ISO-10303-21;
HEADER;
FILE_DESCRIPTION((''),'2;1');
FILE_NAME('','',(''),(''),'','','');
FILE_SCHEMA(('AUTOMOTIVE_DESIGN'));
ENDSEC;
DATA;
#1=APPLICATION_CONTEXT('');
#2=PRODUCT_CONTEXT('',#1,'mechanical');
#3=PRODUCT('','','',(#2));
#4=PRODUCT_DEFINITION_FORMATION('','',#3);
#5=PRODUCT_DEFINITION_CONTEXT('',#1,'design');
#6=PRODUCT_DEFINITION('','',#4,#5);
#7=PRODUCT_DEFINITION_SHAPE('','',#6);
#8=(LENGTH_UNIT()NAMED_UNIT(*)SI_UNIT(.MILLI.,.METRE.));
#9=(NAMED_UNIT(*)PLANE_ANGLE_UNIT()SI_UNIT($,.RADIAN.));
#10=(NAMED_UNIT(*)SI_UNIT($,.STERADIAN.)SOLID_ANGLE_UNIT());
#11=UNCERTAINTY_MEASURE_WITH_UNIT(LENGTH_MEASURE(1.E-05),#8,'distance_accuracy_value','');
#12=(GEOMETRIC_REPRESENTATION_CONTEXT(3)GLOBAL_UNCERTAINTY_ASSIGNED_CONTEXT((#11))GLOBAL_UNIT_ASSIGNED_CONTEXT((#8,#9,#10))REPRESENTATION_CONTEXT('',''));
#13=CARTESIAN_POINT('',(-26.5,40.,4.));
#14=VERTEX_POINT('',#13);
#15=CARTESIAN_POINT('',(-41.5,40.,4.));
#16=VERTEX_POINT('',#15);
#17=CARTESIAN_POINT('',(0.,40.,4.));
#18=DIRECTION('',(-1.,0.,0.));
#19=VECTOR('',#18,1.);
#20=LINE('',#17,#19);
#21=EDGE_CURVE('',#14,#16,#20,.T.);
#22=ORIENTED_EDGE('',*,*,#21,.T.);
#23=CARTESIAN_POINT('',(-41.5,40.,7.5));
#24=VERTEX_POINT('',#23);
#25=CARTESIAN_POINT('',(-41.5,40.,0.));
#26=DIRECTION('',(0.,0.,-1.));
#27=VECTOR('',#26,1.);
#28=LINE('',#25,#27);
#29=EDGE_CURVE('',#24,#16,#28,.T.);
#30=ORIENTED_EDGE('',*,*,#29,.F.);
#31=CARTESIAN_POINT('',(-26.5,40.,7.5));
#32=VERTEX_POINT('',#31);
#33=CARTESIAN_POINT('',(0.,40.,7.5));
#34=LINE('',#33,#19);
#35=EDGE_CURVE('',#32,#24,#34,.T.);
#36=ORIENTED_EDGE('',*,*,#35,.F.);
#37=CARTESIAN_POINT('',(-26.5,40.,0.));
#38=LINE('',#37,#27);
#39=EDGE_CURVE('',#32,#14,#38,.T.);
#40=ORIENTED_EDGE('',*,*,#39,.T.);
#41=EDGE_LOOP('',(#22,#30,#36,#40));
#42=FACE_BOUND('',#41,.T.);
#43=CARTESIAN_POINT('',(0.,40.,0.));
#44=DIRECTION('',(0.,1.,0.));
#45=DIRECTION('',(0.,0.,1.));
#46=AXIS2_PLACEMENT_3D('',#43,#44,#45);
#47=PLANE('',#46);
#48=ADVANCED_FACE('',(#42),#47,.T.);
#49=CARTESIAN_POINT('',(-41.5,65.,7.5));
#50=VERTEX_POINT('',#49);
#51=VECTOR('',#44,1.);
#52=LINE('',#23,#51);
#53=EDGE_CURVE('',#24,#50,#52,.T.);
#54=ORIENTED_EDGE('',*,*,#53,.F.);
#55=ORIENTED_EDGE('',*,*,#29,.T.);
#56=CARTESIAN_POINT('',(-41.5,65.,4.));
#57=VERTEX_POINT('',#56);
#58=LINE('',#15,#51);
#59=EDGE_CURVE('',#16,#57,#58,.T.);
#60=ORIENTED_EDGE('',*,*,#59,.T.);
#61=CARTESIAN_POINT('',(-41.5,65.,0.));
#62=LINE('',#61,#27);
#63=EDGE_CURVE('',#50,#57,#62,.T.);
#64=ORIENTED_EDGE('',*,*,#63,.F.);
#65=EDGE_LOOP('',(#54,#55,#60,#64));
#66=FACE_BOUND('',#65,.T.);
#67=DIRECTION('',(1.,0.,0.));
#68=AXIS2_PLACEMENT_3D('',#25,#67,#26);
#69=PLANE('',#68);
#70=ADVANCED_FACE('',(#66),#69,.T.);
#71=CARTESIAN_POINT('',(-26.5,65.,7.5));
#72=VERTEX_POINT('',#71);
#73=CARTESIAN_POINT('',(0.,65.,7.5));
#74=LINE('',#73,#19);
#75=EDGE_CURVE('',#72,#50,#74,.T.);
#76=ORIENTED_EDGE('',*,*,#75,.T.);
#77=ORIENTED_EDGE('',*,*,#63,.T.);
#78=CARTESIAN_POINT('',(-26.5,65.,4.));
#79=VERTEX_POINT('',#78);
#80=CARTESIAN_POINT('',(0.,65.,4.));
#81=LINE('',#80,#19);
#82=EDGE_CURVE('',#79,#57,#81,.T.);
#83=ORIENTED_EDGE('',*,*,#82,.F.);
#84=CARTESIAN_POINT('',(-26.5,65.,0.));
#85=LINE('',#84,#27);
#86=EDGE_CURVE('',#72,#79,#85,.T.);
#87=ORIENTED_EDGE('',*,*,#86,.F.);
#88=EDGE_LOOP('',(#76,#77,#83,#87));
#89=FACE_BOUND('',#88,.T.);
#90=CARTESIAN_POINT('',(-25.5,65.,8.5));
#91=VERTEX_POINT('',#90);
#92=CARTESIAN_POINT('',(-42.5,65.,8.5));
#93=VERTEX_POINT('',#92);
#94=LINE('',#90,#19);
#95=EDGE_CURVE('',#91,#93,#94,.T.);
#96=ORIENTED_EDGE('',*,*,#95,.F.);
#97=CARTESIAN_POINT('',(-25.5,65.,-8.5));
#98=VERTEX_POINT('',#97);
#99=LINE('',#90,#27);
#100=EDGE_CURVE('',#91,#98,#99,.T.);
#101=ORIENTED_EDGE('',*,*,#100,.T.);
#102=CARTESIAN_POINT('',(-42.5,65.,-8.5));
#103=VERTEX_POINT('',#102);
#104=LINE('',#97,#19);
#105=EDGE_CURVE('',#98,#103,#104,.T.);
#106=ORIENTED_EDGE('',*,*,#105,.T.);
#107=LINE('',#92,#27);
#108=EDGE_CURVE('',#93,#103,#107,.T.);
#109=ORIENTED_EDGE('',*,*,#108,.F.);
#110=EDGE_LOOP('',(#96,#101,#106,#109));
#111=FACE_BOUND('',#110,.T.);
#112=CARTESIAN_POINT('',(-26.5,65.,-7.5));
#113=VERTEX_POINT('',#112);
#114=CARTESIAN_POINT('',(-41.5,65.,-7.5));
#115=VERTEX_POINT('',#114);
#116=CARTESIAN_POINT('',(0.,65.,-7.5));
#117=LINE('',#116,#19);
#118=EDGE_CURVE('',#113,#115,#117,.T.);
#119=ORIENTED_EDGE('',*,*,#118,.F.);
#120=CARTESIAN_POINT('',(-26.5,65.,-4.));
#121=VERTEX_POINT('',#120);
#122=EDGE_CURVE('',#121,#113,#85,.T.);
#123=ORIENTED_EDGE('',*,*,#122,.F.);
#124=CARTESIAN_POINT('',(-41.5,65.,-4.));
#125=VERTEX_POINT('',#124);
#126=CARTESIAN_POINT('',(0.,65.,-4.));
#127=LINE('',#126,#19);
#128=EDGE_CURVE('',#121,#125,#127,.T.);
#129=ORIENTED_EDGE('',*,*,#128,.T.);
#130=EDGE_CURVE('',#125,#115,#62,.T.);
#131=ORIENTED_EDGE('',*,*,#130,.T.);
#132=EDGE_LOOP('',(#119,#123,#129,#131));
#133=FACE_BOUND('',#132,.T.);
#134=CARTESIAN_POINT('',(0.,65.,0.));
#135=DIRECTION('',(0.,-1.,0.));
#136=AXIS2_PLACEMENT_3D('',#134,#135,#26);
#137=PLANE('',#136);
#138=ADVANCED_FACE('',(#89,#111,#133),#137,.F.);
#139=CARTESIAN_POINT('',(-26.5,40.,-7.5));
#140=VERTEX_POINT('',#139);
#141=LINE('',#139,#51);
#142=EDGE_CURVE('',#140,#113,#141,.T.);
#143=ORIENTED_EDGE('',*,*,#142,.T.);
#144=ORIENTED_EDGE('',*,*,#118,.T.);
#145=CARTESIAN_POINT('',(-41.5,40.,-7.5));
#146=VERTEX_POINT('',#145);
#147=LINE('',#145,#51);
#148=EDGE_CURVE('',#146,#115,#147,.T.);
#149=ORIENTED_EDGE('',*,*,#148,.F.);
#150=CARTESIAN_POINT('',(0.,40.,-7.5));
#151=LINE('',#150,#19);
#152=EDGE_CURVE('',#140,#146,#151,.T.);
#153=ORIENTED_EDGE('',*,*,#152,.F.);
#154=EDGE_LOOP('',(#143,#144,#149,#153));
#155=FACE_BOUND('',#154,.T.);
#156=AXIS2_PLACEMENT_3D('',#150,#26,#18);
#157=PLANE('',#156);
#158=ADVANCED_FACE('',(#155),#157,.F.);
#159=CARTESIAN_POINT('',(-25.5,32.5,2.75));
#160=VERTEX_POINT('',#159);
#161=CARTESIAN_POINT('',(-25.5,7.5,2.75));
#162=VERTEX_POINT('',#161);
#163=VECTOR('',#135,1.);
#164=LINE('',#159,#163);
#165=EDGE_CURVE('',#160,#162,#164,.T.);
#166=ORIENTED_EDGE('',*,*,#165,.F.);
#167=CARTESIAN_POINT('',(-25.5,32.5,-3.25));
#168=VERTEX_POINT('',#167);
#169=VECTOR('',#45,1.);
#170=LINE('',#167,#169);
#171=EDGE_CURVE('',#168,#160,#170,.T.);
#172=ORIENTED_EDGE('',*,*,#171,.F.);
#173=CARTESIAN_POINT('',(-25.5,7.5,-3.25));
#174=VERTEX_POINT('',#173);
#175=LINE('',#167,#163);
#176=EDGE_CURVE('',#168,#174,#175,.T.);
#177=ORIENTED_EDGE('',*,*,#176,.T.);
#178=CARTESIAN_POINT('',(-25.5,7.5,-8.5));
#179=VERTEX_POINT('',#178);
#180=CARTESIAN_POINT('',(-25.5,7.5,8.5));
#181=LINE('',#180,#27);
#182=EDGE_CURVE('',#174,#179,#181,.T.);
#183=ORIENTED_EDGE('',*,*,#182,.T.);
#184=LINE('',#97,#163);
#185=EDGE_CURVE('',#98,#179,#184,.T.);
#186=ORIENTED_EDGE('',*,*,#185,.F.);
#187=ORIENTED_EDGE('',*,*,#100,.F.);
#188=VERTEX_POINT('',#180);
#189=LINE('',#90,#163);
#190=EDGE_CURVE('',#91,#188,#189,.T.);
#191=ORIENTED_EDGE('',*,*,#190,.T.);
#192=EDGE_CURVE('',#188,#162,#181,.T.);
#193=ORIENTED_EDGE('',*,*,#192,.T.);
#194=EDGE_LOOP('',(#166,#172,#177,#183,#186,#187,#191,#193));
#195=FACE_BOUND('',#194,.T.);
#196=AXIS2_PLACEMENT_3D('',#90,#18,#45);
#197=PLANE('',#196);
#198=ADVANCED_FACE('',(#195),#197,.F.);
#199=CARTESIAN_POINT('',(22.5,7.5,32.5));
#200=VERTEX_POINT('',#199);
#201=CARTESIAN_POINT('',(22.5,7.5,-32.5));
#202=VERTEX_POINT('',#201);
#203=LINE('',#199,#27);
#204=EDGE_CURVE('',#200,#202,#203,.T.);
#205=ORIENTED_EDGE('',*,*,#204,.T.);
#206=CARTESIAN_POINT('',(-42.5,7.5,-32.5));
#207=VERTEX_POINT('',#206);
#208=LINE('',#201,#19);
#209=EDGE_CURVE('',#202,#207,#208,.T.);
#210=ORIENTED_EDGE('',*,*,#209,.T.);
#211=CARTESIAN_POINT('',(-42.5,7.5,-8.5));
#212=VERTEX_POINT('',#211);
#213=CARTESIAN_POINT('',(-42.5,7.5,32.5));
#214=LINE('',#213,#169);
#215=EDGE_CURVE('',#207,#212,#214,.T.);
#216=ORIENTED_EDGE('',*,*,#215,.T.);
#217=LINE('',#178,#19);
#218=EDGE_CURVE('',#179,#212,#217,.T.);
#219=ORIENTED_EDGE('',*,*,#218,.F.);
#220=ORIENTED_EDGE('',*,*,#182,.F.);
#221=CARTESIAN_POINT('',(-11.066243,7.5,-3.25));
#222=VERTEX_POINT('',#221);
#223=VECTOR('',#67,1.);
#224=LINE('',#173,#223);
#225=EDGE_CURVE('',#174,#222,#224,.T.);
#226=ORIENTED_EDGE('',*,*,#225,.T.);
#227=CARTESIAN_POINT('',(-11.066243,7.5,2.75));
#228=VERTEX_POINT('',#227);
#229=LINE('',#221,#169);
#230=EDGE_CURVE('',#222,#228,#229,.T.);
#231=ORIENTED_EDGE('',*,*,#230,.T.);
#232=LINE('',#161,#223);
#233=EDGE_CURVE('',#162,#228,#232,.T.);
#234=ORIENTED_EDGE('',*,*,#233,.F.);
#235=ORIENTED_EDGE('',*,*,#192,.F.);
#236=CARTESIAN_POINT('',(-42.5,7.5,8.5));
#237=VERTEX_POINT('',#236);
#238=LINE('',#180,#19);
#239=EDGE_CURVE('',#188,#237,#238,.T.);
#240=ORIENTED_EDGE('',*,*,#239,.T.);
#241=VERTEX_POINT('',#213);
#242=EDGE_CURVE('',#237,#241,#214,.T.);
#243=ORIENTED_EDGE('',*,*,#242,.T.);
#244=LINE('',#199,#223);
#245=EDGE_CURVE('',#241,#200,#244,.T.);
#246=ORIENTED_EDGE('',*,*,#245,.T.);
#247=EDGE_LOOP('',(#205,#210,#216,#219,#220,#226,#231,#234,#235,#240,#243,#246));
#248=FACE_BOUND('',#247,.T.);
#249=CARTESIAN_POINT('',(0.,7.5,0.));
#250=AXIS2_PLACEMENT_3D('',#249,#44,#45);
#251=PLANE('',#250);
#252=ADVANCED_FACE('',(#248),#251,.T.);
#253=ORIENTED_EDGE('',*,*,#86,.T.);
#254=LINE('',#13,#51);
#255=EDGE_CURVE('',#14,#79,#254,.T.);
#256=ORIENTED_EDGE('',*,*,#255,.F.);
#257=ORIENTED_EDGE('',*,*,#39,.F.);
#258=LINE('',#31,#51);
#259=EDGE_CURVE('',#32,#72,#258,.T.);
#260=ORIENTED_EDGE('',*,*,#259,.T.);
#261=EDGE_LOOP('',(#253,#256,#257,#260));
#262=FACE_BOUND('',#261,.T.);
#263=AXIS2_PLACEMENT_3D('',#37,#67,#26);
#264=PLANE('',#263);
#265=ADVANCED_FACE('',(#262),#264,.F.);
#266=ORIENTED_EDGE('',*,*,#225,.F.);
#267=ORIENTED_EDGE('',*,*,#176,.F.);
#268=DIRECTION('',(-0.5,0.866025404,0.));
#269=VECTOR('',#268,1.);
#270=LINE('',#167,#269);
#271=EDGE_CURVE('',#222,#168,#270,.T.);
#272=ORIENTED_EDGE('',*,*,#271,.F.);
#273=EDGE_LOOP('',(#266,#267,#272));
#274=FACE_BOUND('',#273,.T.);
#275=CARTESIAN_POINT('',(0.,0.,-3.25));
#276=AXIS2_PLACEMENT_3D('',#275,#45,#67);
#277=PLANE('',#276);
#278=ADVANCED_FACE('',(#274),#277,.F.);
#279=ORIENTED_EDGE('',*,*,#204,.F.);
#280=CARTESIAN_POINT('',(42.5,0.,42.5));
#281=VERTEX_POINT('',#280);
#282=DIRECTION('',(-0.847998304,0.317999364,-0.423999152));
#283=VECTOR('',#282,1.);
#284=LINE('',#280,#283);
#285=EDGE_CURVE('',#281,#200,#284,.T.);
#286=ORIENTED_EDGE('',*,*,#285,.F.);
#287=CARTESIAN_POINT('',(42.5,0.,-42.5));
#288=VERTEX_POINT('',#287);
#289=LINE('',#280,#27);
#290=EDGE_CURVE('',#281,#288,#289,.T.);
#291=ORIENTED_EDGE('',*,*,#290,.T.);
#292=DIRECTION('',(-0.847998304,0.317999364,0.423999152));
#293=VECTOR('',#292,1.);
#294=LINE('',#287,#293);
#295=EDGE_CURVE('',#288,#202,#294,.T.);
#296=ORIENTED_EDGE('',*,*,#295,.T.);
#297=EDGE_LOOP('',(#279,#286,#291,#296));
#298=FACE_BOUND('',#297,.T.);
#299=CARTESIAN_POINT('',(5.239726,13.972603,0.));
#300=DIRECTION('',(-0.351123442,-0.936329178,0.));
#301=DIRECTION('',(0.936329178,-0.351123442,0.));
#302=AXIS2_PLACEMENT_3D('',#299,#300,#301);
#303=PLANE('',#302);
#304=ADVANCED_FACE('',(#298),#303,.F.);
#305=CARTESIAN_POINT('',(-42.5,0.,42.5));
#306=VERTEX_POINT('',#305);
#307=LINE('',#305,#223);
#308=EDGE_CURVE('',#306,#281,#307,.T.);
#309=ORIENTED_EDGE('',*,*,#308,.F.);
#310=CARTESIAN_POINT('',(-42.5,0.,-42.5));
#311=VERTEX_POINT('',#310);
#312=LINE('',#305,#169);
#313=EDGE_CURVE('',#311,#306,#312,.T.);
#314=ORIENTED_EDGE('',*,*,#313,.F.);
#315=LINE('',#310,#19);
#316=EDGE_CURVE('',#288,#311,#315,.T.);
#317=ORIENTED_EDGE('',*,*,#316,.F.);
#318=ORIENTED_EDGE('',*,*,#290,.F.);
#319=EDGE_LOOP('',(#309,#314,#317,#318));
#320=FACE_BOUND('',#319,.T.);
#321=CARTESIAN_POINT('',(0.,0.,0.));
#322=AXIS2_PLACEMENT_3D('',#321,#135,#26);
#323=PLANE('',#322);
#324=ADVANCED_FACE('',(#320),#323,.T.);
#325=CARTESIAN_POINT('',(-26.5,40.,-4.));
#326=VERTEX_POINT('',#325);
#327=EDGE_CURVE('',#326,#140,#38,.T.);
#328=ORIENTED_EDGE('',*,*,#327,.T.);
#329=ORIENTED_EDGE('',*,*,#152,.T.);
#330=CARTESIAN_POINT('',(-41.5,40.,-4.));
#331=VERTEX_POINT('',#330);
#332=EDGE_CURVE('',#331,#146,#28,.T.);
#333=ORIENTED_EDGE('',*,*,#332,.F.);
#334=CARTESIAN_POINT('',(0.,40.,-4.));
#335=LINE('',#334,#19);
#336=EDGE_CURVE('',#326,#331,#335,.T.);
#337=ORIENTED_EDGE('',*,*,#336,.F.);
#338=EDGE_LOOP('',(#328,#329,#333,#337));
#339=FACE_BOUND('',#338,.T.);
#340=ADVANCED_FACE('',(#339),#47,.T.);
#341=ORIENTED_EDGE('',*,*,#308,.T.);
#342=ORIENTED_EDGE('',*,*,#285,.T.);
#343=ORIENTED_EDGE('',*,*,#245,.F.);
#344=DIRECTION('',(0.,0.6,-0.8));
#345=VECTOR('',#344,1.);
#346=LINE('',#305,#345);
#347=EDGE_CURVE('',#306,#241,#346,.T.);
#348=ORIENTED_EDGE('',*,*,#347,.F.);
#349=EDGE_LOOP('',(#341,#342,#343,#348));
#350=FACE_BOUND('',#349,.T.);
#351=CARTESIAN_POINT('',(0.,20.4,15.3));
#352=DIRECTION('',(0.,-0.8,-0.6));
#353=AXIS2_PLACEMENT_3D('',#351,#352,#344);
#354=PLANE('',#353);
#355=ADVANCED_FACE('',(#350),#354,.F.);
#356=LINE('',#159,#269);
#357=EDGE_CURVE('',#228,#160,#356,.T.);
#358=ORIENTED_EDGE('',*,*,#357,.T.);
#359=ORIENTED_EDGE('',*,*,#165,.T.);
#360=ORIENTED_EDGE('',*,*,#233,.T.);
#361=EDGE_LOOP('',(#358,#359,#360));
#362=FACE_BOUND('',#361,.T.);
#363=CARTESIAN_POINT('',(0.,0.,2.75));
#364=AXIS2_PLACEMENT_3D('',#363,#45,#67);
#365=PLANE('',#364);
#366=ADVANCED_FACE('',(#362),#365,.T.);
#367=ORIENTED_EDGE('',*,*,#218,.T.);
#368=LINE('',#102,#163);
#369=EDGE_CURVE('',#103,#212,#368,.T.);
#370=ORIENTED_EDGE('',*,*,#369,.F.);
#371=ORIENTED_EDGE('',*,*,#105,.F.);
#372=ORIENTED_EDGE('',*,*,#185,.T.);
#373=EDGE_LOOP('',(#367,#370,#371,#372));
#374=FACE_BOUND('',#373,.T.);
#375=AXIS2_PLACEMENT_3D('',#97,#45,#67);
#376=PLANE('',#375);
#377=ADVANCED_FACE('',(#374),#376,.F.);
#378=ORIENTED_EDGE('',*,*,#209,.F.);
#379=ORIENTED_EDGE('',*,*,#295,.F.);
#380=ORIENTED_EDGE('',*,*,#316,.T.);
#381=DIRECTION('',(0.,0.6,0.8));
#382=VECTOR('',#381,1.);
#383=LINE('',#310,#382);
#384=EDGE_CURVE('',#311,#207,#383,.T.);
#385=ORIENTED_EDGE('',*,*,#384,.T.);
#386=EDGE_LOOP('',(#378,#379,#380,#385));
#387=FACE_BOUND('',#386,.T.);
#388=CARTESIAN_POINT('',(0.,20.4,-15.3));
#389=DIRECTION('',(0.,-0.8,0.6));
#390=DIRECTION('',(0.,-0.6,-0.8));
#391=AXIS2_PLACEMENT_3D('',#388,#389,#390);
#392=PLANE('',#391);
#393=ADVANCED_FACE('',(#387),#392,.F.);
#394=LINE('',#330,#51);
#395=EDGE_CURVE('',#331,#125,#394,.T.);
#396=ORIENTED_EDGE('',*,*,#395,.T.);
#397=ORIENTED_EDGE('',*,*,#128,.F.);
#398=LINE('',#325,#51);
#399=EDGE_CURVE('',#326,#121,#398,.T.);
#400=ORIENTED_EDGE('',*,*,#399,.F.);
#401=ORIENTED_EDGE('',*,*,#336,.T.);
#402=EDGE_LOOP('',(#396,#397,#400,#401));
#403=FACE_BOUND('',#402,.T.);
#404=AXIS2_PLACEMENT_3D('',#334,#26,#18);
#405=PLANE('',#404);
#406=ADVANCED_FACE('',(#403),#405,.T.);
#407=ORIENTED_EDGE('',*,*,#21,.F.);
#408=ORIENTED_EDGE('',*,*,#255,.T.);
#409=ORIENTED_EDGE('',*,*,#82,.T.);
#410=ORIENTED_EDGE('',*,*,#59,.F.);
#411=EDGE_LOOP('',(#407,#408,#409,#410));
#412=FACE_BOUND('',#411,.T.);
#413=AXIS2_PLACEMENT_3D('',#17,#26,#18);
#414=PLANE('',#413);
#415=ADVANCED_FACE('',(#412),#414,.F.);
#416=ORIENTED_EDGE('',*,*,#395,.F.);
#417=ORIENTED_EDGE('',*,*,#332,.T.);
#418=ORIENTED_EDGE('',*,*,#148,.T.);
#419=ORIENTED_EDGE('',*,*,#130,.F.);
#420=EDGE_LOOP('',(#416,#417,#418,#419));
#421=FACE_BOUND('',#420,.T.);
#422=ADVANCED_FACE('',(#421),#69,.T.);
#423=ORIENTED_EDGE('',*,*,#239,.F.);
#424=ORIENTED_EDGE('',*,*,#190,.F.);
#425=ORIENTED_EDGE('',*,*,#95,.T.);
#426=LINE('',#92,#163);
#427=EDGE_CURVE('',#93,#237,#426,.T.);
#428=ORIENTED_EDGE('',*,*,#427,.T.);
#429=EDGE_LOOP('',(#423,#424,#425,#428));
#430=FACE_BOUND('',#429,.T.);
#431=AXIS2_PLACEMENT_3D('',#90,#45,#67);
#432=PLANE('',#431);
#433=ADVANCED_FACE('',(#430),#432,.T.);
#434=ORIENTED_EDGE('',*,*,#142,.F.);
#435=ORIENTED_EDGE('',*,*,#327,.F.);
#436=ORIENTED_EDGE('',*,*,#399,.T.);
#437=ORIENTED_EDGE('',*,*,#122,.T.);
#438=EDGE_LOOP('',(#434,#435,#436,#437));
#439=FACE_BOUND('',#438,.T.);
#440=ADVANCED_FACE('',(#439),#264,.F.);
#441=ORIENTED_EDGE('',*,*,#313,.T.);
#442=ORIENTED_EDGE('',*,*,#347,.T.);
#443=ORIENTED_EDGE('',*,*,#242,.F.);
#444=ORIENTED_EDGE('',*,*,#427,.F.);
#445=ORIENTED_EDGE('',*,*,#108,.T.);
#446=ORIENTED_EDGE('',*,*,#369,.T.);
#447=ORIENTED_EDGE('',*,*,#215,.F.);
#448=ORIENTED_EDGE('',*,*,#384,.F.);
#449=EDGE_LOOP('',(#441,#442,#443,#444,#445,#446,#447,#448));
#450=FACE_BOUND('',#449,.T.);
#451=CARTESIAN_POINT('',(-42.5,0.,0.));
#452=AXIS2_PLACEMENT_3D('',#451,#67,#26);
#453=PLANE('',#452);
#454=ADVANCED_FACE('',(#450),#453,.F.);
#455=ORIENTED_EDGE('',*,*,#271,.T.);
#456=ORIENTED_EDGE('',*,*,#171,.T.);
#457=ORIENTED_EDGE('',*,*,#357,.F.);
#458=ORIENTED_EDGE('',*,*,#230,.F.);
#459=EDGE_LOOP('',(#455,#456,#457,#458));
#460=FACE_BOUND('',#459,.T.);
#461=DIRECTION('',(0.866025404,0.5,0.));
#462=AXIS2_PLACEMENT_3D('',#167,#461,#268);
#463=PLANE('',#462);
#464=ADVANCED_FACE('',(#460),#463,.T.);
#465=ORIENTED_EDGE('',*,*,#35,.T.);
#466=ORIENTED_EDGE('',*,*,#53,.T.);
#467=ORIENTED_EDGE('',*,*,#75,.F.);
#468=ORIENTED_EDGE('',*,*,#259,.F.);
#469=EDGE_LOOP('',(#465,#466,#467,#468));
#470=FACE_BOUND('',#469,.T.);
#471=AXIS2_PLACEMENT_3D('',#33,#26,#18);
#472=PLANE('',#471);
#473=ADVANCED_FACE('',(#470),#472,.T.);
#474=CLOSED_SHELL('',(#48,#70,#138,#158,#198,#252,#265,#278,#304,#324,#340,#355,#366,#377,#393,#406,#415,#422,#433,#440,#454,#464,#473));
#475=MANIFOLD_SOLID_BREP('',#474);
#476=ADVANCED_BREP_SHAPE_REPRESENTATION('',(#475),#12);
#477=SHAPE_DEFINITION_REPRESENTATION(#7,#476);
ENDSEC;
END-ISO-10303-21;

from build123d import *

# Parameters (mm, degrees)
SKETCH2_W           = 85
SKETCH2_H           = 85
SKETCH3_W           = 65
SKETCH3_H           = 65
SKETCH10_W          = 17
SKETCH10_H          = 17
BOSS_EXTRUDE5_DEPTH = 57.5
SKETCH11_W          = 15
SKETCH11_H          = 3.5
CUT_EXTRUDE1_DEPTH  = 25
BOSS_EXTRUDE6_START = -5.75
BOSS_EXTRUDE6_DEPTH = 6


with BuildPart() as part:
    # Sketch2 → Loft1 section 0
    with BuildSketch(Plane(origin=(0, 0, 0), x_dir=(1, 0, 0), z_dir=(0, 1, 0))):
        Rectangle(SKETCH2_W, SKETCH2_H)
    # Sketch3 → Loft1 section 1
    with BuildSketch(Plane(origin=(0, 7.5, 0), x_dir=(1, 0, 0), z_dir=(0, 1, 0))):
        with Locations((-10, 0)):
            Rectangle(SKETCH3_W, SKETCH3_H)
    loft()

    # Sketch10 → Boss-Extrude5 (add)
    with BuildSketch(Plane(origin=(0, 7.5, 0), x_dir=(1, 0, 0), z_dir=(0, 1, 0))):
        with Locations((-34, 0)):
            Rectangle(SKETCH10_W, SKETCH10_H)
    extrude(amount=BOSS_EXTRUDE5_DEPTH)

    # Sketch11 → Cut-Extrude1 (cut)
    with BuildSketch(Plane(origin=(0, 65, 0), x_dir=(1, 0, 0), z_dir=(0, 1, 0))):
        with Locations((-34, 5.75)):
            Rectangle(SKETCH11_W, SKETCH11_H)
        with Locations((-34, -5.75)):
            Rectangle(SKETCH11_W, SKETCH11_H)
    extrude(amount=-CUT_EXTRUDE1_DEPTH, mode=Mode.SUBTRACT)

    # Sketch14 → Boss-Extrude6 (add)
    with BuildSketch(Plane.XY.offset(8.5).offset(BOSS_EXTRUDE6_START)):
        Polygon((-25.5, 32.5), (-11.06624327, 7.5), (-25.5, 7.5), align=None)
    extrude(amount=-BOSS_EXTRUDE6_DEPTH)


solid = part.part
